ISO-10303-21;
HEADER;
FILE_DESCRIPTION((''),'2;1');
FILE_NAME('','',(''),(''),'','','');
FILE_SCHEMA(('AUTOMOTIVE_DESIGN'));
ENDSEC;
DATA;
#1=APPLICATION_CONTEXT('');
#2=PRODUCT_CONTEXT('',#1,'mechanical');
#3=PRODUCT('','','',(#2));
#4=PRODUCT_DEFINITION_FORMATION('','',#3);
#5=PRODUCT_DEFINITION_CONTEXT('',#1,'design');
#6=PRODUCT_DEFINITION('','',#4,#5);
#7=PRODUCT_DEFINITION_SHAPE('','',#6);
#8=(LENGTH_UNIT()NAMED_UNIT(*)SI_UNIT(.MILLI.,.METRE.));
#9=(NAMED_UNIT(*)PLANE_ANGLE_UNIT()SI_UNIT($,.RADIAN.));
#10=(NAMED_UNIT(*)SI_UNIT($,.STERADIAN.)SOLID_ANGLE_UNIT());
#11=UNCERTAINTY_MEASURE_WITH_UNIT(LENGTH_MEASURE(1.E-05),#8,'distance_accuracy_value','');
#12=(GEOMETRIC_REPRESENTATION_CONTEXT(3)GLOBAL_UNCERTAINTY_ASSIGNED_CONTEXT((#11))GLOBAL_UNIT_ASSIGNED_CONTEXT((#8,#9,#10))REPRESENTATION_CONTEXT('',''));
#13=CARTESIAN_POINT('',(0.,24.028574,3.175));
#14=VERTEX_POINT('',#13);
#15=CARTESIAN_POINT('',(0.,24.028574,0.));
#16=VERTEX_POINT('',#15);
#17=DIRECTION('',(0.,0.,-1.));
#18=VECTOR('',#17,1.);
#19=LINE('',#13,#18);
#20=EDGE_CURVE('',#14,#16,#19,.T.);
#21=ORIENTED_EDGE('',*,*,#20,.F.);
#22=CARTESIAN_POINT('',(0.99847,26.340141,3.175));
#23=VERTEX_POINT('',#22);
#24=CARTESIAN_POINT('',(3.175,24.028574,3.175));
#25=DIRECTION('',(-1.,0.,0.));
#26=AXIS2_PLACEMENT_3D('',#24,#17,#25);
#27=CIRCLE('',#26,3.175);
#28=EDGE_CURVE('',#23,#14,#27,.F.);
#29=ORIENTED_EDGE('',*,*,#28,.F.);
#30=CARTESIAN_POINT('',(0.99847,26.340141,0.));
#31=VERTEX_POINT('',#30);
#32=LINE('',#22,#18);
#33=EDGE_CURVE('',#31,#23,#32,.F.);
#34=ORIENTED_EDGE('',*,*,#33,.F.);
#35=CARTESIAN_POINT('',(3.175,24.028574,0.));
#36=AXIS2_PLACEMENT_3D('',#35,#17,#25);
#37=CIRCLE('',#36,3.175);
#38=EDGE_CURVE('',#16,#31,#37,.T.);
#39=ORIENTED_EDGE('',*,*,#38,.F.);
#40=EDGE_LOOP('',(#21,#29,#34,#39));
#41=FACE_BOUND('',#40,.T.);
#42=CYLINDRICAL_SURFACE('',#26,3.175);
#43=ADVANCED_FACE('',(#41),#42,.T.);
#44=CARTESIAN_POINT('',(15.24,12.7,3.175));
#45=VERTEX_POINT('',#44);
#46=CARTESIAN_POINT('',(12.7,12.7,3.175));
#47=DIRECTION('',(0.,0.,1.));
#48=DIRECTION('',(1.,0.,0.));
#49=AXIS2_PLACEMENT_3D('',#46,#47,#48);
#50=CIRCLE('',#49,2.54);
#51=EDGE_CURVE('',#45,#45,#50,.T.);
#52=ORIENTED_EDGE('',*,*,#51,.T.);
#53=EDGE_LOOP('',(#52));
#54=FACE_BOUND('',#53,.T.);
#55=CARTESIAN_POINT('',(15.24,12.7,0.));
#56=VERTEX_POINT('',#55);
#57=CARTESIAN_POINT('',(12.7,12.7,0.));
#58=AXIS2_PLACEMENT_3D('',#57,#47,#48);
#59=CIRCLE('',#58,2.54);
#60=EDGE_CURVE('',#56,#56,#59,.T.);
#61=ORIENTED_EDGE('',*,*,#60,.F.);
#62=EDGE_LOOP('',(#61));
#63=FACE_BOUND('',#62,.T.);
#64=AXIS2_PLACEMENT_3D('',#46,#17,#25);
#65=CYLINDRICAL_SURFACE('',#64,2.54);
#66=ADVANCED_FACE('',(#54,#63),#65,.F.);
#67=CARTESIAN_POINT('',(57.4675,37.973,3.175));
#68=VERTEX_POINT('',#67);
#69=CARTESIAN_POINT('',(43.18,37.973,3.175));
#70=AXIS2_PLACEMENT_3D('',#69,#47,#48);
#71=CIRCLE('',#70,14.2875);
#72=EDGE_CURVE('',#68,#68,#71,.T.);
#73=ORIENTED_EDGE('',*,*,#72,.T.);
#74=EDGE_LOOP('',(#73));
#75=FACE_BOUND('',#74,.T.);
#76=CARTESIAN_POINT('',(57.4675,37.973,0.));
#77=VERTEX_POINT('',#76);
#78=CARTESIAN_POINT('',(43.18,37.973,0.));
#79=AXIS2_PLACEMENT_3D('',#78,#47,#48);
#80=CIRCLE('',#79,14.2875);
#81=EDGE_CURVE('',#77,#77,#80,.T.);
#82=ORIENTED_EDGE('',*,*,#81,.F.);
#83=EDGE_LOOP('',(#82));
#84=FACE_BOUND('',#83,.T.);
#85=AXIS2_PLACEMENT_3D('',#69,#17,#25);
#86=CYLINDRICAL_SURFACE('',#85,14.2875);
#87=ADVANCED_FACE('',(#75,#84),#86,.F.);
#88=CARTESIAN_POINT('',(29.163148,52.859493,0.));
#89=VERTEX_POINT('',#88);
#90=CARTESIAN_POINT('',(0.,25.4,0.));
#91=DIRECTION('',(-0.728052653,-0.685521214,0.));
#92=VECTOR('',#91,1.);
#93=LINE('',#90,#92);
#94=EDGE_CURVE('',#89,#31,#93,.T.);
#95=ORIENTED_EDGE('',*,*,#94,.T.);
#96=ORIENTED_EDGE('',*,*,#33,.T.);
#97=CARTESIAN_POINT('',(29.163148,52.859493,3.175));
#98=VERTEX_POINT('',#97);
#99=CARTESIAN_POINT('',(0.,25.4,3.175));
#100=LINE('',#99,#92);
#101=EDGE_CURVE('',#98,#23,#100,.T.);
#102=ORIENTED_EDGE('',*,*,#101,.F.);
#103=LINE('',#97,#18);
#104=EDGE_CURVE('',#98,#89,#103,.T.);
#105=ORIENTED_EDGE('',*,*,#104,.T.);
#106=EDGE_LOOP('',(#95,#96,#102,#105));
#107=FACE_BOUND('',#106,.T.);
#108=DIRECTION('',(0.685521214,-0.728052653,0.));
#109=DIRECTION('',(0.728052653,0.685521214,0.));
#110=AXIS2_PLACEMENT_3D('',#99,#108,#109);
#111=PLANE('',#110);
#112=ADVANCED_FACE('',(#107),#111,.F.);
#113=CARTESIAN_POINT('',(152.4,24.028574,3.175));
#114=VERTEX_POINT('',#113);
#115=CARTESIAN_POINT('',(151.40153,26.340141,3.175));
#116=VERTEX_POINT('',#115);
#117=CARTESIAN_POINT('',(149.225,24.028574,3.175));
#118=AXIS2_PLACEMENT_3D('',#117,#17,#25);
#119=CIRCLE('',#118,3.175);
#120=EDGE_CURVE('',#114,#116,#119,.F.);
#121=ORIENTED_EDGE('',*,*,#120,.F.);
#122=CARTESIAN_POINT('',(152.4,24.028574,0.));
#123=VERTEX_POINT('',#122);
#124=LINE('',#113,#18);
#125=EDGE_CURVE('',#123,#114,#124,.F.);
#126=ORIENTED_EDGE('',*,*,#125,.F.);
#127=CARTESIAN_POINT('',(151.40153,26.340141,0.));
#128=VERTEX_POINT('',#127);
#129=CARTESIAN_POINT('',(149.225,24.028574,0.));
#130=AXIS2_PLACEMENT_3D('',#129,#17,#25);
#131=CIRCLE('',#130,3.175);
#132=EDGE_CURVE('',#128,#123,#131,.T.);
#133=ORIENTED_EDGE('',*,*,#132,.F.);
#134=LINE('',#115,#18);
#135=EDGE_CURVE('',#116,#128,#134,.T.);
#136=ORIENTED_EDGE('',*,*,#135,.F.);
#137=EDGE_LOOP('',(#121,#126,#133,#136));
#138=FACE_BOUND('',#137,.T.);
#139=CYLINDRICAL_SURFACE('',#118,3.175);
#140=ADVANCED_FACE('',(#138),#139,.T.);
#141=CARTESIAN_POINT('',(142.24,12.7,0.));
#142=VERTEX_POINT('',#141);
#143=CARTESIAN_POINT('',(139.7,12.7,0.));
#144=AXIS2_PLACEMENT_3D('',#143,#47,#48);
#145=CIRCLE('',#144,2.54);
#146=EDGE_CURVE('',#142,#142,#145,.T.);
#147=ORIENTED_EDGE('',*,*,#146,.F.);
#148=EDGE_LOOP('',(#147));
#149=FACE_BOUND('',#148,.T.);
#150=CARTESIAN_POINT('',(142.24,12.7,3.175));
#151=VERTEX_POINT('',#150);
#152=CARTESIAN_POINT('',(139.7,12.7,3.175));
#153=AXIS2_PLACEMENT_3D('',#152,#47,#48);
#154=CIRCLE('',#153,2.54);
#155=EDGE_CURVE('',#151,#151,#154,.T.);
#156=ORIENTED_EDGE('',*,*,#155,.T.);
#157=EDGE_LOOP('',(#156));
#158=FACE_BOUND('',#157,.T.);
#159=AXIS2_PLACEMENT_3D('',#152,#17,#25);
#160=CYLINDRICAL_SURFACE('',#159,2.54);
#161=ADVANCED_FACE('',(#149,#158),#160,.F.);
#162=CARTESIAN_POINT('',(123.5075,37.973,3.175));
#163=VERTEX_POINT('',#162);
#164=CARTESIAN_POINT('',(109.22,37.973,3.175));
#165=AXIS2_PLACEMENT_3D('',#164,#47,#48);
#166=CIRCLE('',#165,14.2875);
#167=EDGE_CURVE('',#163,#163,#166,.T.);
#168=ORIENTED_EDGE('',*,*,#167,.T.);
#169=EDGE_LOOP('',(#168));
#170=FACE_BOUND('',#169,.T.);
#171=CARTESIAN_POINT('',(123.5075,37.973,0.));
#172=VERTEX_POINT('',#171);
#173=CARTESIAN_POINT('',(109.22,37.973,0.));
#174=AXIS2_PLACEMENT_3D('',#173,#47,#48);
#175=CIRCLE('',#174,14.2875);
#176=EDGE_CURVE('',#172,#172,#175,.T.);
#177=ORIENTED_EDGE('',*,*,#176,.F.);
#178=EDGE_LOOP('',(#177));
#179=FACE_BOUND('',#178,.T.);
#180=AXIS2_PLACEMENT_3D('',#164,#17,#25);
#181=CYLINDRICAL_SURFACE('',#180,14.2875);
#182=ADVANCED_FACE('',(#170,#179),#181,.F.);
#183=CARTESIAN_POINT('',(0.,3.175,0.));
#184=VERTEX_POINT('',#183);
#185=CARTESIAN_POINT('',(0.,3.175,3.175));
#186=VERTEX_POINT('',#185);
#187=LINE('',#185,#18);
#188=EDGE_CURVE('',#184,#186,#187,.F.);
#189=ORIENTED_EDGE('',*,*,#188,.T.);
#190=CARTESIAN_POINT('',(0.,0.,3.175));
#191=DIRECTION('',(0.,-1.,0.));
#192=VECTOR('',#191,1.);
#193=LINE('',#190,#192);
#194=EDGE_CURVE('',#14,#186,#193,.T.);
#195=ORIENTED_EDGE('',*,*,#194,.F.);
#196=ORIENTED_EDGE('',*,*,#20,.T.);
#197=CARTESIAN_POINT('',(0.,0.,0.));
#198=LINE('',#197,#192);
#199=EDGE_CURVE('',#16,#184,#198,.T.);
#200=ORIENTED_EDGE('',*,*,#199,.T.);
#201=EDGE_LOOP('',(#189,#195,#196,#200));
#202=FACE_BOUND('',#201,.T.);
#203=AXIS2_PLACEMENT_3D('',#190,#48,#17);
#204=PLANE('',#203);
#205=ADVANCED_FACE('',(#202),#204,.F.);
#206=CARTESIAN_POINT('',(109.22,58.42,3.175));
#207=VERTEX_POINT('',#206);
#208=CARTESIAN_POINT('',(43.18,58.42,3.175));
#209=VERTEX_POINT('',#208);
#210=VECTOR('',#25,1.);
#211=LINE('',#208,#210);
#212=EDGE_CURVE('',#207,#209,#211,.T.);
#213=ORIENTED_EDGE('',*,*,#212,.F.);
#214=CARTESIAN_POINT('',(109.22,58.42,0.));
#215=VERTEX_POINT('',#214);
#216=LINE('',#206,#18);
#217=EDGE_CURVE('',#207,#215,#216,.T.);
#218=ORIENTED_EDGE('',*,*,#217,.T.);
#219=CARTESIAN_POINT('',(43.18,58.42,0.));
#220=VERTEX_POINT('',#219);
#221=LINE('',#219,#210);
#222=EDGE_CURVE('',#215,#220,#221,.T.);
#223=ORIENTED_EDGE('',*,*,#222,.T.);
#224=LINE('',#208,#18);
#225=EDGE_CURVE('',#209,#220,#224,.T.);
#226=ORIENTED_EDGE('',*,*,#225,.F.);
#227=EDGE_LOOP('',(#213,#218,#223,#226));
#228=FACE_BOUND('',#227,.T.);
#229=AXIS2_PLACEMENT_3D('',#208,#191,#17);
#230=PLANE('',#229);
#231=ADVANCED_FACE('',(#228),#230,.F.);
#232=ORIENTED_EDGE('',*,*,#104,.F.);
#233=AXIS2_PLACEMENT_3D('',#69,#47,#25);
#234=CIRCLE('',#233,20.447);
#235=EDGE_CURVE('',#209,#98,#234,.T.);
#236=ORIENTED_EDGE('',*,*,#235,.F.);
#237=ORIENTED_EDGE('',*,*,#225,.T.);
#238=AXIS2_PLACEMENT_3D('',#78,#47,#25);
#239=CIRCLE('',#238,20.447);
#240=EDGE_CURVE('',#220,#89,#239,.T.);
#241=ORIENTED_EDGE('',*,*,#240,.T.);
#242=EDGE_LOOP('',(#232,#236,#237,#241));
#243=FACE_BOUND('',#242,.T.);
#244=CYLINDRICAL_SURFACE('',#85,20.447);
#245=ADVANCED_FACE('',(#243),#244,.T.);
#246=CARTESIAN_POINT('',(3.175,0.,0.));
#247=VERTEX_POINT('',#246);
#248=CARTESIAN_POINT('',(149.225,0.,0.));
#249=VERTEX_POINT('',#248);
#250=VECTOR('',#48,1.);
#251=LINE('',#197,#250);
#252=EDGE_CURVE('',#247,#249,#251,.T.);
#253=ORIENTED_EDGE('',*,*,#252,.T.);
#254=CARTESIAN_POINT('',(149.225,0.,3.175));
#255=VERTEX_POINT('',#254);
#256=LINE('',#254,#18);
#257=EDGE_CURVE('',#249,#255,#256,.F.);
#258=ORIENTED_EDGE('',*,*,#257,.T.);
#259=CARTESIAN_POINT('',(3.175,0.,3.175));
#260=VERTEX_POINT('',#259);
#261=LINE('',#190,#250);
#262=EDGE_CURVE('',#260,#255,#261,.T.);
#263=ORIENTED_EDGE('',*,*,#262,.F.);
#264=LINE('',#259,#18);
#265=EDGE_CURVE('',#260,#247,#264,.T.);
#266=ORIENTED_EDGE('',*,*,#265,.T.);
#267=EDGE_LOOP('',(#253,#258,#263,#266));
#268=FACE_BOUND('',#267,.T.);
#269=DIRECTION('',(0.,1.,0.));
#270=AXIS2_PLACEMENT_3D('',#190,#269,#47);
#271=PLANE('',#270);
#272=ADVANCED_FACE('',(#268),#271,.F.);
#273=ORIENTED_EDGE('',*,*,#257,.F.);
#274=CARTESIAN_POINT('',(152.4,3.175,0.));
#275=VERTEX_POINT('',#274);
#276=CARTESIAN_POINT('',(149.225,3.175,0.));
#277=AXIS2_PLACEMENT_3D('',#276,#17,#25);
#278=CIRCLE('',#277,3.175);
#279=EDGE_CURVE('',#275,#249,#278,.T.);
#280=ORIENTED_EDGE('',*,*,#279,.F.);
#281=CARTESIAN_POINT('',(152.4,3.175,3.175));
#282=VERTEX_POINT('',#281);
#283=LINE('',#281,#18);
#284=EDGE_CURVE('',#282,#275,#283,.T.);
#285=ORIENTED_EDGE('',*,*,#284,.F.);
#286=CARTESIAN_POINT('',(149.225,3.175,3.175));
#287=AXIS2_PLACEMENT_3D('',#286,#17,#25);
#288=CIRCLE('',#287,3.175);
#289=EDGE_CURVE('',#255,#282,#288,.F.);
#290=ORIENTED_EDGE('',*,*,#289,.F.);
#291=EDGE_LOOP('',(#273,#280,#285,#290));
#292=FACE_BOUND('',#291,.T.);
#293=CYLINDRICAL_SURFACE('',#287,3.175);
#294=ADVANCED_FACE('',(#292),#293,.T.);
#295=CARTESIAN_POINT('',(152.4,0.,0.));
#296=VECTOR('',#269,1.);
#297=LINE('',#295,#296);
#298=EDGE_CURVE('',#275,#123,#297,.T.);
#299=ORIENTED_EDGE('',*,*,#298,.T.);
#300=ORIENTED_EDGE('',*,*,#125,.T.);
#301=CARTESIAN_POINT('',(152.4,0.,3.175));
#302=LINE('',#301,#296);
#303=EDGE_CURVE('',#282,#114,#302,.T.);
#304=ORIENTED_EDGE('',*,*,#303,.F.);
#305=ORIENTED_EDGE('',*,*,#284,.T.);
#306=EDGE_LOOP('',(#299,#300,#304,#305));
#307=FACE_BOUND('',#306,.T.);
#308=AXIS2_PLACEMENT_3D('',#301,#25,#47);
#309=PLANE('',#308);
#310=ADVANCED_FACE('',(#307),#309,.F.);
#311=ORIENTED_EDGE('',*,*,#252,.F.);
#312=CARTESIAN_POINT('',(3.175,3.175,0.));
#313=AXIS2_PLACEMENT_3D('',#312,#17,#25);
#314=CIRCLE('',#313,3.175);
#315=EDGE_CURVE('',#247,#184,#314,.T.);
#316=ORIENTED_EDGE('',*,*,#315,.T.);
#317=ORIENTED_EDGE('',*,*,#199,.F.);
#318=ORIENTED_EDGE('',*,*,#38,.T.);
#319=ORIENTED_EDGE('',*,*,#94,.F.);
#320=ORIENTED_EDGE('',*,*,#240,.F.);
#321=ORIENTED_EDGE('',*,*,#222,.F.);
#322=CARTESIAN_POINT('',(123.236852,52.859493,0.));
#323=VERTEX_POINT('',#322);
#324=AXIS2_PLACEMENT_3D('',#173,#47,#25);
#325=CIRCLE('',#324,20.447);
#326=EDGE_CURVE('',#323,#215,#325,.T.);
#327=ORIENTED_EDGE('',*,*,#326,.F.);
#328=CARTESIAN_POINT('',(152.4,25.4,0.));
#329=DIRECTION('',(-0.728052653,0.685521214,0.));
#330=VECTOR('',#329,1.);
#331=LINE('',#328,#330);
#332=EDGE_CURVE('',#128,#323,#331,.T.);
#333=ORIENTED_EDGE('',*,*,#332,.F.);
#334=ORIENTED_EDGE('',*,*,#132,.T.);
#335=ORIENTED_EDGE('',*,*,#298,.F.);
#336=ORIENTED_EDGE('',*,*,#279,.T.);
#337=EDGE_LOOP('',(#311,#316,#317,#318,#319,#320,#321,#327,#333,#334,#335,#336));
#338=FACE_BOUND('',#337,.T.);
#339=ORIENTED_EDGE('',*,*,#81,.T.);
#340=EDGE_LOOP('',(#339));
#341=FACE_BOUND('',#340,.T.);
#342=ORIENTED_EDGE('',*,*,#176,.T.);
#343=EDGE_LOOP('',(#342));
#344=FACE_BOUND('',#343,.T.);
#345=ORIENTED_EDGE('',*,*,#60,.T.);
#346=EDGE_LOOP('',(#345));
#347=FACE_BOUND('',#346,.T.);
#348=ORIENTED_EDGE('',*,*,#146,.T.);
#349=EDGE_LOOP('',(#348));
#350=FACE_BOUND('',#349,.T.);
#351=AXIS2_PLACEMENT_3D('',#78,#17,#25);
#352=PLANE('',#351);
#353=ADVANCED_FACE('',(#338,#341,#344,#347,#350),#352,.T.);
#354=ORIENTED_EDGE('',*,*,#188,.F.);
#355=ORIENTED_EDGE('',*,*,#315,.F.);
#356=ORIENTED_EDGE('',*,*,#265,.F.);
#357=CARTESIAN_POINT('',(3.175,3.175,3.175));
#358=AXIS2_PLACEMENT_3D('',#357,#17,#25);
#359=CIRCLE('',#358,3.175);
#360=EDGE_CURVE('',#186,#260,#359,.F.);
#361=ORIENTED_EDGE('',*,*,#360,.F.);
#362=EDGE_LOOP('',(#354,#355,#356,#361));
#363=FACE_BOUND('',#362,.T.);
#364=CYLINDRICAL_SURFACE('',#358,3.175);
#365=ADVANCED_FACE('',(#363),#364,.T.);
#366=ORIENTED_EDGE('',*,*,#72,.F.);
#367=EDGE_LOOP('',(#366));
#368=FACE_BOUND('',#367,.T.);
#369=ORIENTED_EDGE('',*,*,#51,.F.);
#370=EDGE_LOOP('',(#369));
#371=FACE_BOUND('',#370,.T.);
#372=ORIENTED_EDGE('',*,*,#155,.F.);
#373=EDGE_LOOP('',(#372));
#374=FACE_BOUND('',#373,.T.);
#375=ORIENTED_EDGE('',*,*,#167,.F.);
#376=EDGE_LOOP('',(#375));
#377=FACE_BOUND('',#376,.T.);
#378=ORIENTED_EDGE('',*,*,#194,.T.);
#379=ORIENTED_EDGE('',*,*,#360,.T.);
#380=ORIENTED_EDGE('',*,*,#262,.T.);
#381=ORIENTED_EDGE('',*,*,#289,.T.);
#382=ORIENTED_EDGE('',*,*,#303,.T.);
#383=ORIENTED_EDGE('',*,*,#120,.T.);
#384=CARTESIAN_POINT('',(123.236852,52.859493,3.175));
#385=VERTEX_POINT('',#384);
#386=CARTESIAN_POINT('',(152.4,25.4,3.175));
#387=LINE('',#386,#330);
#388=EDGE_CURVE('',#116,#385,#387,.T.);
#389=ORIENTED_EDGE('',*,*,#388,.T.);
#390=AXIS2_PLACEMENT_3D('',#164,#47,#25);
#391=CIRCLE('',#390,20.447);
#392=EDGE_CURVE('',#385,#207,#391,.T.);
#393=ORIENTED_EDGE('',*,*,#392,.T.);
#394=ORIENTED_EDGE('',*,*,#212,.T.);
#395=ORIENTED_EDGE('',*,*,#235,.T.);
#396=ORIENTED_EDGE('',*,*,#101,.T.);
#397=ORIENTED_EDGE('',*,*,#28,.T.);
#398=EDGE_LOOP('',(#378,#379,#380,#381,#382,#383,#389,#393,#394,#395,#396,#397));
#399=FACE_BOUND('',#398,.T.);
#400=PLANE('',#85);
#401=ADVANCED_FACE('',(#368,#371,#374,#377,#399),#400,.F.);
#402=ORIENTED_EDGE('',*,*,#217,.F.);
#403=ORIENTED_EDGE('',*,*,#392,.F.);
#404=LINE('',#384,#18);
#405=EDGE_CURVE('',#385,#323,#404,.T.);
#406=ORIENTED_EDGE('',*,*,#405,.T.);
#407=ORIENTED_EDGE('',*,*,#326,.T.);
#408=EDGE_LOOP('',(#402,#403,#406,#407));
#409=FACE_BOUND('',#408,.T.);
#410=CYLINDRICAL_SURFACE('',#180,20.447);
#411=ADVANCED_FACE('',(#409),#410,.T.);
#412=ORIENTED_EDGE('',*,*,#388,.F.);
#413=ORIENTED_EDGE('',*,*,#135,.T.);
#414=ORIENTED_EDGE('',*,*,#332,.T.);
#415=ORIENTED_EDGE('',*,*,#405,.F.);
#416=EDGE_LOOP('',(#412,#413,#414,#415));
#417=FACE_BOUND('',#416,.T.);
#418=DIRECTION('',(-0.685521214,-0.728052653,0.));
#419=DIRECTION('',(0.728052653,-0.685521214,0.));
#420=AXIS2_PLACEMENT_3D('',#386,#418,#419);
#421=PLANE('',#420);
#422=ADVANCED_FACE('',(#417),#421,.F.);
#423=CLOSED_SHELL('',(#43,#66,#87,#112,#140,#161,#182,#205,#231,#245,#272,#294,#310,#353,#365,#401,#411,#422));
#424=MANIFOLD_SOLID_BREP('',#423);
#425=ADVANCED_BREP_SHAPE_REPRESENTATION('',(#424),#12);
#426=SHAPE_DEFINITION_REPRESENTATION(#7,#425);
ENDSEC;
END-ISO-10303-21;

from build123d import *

# Parameters (mm, degrees)
SKETCH1_R           = 14.2875
SKETCH1_R_2         = 2.54
BOSS_EXTRUDE1_DEPTH = 3.175
FILLET1_R           = 3.175


with BuildPart() as part:
    # Sketch1 → Boss-Extrude1 (new body)
    with BuildSketch(Plane.XY):
        with BuildLine():
            Line((0, 0), (152.4, 0))
            Line((152.4, 0), (152.4, 25.4))
            Line((152.4, 25.4), (123.236852256, 52.859492597))
            ThreePointArc((123.236852256, 52.859492597), (116.759751152, 56.979103271), (109.22, 58.42))
            Line((109.22, 58.42), (43.18, 58.42))
            ThreePointArc((43.18, 58.42), (35.640248848, 56.979103271), (29.163147744, 52.859492597))
            Line((29.163147744, 52.859492597), (0, 25.4))
            Line((0, 25.4), (0, 0))
        make_face()
        with Locations((43.18, 37.973)):
            Circle(SKETCH1_R, mode=Mode.SUBTRACT)
        with Locations((109.22, 37.973)):
            Circle(SKETCH1_R, mode=Mode.SUBTRACT)
        with Locations((12.7, 12.7)):
            Circle(SKETCH1_R_2, mode=Mode.SUBTRACT)
        with Locations((139.7, 12.7)):
            Circle(SKETCH1_R_2, mode=Mode.SUBTRACT)
    extrude(amount=BOSS_EXTRUDE1_DEPTH)

    # Fillet1
    fillet1_edges = [part.edges().sort_by_distance(p)[0] for p in [
        (0, 25.4, 1.5875),
        (152.4, 25.4, 1.5875),
        (152.4, 0, 1.5875),
        (0, 0, 1.5875),
    ]]
    fillet(fillet1_edges, radius=FILLET1_R)


solid = part.part
